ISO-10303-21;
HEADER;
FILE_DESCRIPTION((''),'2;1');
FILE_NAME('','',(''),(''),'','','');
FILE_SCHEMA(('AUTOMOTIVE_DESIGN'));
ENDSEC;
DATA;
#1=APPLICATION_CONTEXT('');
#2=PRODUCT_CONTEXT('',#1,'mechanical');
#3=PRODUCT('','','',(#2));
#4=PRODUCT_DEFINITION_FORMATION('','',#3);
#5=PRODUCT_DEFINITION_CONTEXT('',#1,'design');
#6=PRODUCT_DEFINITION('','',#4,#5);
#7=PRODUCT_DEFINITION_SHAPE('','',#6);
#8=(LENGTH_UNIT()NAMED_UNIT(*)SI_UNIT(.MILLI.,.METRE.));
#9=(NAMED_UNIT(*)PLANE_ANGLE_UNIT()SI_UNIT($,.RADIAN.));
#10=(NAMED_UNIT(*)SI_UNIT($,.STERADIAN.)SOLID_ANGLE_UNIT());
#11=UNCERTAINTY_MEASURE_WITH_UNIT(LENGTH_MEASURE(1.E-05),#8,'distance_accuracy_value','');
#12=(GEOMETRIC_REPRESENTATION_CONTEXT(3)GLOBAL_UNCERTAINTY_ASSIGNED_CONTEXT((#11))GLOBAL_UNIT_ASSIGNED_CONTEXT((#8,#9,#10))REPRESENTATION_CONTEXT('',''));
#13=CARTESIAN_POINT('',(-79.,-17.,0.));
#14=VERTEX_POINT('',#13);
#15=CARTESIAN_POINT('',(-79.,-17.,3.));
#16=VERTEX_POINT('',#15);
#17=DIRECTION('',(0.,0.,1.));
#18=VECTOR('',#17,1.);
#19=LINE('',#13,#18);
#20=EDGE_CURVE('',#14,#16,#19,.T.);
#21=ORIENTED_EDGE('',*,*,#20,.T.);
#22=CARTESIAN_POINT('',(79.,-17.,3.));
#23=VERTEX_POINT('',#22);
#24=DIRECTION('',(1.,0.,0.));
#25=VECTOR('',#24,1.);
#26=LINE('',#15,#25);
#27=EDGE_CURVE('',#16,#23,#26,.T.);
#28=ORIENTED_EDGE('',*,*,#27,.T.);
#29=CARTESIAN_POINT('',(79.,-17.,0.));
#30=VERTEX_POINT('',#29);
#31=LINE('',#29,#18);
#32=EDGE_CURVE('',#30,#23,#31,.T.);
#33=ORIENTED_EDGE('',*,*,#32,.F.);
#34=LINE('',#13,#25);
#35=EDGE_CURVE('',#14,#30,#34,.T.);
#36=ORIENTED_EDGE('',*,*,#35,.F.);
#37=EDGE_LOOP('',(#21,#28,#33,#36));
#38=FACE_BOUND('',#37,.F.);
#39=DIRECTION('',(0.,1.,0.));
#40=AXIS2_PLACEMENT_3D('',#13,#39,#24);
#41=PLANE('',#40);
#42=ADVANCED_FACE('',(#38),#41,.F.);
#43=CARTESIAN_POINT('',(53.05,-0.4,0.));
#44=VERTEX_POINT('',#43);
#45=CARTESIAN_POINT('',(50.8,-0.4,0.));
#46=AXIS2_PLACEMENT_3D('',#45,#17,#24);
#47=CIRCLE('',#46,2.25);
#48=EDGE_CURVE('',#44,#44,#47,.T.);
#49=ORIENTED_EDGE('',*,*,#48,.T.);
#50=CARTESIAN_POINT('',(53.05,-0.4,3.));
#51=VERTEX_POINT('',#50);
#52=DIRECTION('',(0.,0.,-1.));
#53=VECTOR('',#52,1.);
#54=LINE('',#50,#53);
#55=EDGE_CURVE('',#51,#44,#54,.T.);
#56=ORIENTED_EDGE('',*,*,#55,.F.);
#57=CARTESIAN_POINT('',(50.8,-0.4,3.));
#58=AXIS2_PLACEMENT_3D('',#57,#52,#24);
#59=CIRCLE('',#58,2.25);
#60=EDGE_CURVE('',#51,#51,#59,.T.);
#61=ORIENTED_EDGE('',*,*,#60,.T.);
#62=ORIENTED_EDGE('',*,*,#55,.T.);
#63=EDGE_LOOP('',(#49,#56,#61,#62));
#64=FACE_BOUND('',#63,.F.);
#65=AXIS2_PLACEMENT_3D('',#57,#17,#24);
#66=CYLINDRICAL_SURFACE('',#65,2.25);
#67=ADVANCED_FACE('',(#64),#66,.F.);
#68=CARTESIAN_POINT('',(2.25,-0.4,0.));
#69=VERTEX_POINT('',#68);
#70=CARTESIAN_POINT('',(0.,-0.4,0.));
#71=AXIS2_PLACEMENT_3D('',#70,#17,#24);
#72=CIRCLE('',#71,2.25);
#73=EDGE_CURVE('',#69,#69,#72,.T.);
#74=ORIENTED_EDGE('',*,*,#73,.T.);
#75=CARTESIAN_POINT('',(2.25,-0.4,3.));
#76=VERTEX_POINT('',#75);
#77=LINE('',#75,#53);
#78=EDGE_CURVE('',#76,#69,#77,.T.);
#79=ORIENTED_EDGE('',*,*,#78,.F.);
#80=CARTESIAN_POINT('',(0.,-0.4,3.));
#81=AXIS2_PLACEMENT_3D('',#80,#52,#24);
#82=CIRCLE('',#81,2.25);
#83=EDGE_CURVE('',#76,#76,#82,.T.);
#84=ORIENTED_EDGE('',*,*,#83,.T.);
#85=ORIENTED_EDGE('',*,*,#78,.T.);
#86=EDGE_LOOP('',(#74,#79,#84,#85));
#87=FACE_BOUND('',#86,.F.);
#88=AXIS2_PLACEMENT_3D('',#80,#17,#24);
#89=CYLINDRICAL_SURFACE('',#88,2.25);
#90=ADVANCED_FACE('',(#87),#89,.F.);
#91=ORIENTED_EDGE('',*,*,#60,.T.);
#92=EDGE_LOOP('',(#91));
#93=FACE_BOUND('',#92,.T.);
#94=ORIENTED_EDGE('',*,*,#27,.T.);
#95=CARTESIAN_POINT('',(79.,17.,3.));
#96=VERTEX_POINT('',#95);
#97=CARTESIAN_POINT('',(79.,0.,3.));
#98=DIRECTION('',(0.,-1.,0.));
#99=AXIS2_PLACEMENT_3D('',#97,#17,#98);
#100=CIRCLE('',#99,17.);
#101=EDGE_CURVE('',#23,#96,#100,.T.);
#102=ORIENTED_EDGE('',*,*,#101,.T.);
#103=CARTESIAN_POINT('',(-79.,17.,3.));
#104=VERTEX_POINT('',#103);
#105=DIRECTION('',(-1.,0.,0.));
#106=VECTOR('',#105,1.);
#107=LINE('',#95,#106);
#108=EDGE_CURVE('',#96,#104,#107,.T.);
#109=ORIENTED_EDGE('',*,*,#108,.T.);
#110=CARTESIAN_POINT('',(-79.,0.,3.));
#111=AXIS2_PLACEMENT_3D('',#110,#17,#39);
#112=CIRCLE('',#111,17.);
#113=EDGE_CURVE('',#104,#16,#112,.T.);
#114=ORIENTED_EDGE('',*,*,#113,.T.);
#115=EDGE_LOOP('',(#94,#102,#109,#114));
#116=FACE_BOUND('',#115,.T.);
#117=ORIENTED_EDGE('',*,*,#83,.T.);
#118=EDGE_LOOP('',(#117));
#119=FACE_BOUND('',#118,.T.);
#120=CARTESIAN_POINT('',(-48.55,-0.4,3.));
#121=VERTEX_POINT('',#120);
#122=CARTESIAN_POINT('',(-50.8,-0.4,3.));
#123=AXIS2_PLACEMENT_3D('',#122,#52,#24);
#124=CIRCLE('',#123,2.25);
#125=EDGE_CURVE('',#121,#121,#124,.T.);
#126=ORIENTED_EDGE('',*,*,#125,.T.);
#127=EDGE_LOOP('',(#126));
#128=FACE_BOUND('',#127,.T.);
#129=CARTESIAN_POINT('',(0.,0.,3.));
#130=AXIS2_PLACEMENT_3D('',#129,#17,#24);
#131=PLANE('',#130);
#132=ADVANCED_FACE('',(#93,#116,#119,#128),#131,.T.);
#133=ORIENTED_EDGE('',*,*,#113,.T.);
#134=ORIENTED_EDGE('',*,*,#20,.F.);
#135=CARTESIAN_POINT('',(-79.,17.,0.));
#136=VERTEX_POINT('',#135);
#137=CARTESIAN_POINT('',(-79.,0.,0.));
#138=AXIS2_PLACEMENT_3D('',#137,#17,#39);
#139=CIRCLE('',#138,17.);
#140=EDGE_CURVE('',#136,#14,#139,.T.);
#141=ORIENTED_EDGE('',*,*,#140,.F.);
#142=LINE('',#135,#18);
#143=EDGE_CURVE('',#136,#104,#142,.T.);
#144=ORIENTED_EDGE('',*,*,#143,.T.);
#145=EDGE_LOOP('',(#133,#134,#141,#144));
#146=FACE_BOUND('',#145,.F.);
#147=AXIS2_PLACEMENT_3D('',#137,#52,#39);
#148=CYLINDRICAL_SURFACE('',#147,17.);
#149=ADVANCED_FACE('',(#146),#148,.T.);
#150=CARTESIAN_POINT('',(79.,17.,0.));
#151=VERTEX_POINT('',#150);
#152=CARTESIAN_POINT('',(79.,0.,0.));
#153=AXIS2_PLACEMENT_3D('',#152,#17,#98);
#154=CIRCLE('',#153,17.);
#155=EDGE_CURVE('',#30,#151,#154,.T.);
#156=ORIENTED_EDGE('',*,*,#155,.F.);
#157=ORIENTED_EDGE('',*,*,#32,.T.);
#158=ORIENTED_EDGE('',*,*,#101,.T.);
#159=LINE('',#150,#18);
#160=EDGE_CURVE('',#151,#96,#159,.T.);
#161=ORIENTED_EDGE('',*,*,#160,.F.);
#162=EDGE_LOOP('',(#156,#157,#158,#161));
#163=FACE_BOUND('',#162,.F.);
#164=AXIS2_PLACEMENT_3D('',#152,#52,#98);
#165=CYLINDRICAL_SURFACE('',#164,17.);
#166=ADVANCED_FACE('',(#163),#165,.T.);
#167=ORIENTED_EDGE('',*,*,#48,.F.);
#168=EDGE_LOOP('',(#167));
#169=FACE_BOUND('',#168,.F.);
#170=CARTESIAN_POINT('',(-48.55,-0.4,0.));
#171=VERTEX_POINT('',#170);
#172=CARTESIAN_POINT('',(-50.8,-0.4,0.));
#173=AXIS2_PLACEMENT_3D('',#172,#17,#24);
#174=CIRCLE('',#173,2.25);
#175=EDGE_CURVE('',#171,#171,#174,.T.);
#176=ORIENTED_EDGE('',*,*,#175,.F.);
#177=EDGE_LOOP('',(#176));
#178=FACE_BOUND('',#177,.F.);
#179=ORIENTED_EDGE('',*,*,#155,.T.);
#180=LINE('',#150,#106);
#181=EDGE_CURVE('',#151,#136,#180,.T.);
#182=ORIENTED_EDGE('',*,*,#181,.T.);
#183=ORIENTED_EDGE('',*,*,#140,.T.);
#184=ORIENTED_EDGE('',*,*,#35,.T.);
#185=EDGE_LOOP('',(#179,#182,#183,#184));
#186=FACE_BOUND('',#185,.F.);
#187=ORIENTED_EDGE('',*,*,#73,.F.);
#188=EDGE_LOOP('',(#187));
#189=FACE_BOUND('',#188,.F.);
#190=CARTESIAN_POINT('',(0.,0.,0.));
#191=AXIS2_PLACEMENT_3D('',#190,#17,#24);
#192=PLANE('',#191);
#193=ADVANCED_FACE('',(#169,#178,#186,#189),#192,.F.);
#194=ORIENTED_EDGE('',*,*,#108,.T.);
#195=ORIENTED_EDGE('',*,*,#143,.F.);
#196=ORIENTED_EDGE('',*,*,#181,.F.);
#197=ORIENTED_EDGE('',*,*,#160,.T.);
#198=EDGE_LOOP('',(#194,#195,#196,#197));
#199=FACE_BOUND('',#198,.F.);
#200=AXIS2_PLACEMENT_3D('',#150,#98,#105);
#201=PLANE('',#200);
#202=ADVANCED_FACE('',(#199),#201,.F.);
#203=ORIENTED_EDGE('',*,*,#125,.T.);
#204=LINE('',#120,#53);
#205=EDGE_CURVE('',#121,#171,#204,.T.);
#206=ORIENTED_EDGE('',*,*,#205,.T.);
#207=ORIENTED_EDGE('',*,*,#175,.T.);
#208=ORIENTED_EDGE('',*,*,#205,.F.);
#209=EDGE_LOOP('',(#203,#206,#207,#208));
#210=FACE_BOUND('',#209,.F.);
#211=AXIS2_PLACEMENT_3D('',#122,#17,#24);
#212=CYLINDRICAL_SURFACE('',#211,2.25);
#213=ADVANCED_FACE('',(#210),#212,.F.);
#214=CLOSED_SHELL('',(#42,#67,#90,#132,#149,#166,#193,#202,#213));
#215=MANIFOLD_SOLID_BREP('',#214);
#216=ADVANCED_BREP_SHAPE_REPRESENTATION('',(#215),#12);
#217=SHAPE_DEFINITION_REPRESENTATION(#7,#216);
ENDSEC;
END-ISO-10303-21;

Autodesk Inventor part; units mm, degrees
ref_plane "YZ Plane" through (0, 0, 0) normal (1, 0, 0) x (0, 1, 0)
ref_plane "XZ Plane" through (0, 0, 0) normal (0, 1, 0) x (-1, 0, 0)
ref_plane "XY Plane" through (0, 0, 0) normal (0, 0, 1) x (1, 0, 0)
sketch "Sketch1" plane through (0, 0, 0) normal (0, 0, 1) x (1, 0, 0)
  line L0 (-79, 0) -> (79, 0) construction
  line L1 (-79, -17) -> (79, -17)
  line L2 (79, 17) -> (-79, 17)
  arc A0 (-79, 17) -> (-79, -17) centre (-79, 0) ccw
  arc A1 (79, -17) -> (79, 17) centre (79, 0) ccw
  point P0 (0, 0)
  dimension "d0" = 79
  dimension "d1" = 34
extrude "Extrusion1" add sketch "Sketch1" along normal blind 3
sketch "Sketch2" plane through (0, 0, 3) normal (0, 0, 1) x (1, 0, 0)
  line L0 (63.5, 11.5) -> (-63.5, 11.5)
  line L1 (-63.5, 11.5) -> (-63.5, -11.5)
  line L2 (-63.5, -11.5) -> (63.5, -11.5)
  line L3 (63.5, -11.5) -> (63.5, 11.5)
  line L4 (63.5, 11.5) -> (-63.5, -11.5) construction
  line L5 (-63.5, 11.5) -> (63.5, -11.5) construction
  line L6 (-63.5, 0) -> (63.5, 0)
  circle A0 centre (-50.8, -0.4) radius 2.25
  circle A1 centre (50.8, -0.4) radius 2.25
  circle A2 centre (0, -0.4) radius 2.25
  point P0 (0, 0)
  dimension "d4" = 23
  dimension "d5" = 4.5
  dimension "d6" = 4.5
  dimension "d7" = 4.5
extrude "Extrusion2" cut sketch "Sketch2" against normal through all contours A1 L6 | L6 A1 | A0 L6 | L6 A0 | A2 L6 | L6 A2
properties part number "AMR_Handle_Flap"
